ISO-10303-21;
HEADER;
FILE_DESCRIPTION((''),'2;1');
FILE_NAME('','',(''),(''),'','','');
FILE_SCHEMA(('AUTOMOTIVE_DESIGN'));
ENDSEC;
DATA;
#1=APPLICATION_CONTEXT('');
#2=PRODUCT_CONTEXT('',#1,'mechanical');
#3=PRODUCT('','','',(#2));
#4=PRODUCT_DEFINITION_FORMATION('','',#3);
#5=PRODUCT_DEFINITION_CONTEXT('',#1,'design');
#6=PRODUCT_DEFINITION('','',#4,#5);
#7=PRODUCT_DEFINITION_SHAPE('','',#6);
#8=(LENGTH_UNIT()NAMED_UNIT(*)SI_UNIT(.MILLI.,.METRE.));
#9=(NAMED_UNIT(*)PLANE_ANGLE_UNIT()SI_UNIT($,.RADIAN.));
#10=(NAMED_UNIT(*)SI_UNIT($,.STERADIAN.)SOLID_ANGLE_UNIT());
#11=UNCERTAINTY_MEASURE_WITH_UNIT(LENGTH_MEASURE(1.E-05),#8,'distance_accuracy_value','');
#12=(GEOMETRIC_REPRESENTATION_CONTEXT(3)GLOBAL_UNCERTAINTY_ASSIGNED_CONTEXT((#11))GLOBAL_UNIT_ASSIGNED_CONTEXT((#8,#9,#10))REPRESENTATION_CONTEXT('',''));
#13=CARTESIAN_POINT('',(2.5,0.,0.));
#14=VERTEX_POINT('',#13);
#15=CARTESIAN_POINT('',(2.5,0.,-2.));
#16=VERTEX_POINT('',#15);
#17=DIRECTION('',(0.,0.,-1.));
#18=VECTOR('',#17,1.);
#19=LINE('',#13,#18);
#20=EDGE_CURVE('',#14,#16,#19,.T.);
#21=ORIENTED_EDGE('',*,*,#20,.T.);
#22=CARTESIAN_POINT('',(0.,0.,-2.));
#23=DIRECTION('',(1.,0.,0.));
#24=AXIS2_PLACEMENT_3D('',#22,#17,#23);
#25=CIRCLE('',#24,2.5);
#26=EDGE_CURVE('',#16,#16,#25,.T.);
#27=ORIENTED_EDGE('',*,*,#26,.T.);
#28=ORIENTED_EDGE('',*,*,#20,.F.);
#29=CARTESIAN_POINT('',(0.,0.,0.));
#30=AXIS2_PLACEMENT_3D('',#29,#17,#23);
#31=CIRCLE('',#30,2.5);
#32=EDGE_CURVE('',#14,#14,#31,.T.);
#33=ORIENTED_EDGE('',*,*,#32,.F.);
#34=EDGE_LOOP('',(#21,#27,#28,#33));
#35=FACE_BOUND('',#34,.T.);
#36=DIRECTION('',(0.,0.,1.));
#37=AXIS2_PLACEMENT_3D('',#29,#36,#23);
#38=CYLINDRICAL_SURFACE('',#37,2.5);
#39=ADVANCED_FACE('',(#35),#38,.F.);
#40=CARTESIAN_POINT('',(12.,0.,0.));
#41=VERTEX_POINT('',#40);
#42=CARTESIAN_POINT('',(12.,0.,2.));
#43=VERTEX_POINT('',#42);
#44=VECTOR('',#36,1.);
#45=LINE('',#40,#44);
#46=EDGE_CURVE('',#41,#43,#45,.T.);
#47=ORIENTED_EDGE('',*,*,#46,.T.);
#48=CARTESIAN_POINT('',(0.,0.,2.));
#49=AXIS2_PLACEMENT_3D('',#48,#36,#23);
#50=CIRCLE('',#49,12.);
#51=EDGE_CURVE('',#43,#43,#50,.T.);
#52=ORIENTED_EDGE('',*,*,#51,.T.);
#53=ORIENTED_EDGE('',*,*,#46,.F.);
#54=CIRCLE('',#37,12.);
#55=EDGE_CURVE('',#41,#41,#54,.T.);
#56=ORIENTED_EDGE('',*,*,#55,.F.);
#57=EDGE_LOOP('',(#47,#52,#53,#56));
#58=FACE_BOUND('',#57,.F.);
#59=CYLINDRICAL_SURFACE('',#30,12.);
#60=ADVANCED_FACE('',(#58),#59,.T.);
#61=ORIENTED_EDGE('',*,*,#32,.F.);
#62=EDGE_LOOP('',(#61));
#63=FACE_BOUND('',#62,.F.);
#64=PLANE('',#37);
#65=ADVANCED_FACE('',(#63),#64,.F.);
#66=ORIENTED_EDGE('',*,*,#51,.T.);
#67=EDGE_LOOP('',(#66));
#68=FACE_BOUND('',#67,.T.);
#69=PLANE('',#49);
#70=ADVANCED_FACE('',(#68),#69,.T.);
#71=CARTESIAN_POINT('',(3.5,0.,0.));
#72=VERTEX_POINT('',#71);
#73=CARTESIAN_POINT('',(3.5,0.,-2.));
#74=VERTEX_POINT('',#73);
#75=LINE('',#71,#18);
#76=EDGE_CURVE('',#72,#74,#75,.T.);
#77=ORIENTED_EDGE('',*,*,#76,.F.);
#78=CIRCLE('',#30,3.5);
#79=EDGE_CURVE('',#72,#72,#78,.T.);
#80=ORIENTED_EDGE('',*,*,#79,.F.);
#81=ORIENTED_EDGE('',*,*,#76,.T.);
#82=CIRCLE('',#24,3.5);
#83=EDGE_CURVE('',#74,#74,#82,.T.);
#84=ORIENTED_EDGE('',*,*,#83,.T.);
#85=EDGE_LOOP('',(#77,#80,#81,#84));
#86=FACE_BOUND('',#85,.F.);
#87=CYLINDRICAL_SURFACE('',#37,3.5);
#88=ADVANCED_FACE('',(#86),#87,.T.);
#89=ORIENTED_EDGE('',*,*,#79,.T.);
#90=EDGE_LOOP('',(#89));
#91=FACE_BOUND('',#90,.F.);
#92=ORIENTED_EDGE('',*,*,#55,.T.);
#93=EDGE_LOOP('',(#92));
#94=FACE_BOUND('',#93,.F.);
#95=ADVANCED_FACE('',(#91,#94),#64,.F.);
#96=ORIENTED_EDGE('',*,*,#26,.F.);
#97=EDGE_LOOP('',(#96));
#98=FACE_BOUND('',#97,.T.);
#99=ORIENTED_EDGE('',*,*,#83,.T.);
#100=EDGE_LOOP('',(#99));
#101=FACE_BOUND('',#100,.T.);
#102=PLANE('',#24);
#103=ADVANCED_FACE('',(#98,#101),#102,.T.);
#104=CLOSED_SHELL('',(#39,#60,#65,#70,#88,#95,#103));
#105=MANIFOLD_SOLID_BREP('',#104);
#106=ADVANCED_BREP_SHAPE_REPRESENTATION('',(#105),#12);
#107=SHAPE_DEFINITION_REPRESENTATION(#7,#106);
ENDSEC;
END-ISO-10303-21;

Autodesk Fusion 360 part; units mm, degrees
sketch "Sketch1" plane through (0, 0, 0) normal (0, 0, 1) x (1, 0, 0)
  circle A0 centre (0, 0) radius 12
  dimension "d1" = 24
extrude "Extrude1" add sketch "Sketch1" along normal blind 2
sketch "Sketch2" plane through (0, 0, 0) normal (0, 0, -1) x (1, 0, 0)
  circle A0 centre (0, 0) radius 12
  circle A1 centre (0, 0) radius 2.5
  circle A2 centre (0, 0) radius 3.5
  dimension "d4" = 5
  dimension "d5" = 7
extrude "Extrude2" add sketch "Sketch2" along normal blind 2 contours A2
